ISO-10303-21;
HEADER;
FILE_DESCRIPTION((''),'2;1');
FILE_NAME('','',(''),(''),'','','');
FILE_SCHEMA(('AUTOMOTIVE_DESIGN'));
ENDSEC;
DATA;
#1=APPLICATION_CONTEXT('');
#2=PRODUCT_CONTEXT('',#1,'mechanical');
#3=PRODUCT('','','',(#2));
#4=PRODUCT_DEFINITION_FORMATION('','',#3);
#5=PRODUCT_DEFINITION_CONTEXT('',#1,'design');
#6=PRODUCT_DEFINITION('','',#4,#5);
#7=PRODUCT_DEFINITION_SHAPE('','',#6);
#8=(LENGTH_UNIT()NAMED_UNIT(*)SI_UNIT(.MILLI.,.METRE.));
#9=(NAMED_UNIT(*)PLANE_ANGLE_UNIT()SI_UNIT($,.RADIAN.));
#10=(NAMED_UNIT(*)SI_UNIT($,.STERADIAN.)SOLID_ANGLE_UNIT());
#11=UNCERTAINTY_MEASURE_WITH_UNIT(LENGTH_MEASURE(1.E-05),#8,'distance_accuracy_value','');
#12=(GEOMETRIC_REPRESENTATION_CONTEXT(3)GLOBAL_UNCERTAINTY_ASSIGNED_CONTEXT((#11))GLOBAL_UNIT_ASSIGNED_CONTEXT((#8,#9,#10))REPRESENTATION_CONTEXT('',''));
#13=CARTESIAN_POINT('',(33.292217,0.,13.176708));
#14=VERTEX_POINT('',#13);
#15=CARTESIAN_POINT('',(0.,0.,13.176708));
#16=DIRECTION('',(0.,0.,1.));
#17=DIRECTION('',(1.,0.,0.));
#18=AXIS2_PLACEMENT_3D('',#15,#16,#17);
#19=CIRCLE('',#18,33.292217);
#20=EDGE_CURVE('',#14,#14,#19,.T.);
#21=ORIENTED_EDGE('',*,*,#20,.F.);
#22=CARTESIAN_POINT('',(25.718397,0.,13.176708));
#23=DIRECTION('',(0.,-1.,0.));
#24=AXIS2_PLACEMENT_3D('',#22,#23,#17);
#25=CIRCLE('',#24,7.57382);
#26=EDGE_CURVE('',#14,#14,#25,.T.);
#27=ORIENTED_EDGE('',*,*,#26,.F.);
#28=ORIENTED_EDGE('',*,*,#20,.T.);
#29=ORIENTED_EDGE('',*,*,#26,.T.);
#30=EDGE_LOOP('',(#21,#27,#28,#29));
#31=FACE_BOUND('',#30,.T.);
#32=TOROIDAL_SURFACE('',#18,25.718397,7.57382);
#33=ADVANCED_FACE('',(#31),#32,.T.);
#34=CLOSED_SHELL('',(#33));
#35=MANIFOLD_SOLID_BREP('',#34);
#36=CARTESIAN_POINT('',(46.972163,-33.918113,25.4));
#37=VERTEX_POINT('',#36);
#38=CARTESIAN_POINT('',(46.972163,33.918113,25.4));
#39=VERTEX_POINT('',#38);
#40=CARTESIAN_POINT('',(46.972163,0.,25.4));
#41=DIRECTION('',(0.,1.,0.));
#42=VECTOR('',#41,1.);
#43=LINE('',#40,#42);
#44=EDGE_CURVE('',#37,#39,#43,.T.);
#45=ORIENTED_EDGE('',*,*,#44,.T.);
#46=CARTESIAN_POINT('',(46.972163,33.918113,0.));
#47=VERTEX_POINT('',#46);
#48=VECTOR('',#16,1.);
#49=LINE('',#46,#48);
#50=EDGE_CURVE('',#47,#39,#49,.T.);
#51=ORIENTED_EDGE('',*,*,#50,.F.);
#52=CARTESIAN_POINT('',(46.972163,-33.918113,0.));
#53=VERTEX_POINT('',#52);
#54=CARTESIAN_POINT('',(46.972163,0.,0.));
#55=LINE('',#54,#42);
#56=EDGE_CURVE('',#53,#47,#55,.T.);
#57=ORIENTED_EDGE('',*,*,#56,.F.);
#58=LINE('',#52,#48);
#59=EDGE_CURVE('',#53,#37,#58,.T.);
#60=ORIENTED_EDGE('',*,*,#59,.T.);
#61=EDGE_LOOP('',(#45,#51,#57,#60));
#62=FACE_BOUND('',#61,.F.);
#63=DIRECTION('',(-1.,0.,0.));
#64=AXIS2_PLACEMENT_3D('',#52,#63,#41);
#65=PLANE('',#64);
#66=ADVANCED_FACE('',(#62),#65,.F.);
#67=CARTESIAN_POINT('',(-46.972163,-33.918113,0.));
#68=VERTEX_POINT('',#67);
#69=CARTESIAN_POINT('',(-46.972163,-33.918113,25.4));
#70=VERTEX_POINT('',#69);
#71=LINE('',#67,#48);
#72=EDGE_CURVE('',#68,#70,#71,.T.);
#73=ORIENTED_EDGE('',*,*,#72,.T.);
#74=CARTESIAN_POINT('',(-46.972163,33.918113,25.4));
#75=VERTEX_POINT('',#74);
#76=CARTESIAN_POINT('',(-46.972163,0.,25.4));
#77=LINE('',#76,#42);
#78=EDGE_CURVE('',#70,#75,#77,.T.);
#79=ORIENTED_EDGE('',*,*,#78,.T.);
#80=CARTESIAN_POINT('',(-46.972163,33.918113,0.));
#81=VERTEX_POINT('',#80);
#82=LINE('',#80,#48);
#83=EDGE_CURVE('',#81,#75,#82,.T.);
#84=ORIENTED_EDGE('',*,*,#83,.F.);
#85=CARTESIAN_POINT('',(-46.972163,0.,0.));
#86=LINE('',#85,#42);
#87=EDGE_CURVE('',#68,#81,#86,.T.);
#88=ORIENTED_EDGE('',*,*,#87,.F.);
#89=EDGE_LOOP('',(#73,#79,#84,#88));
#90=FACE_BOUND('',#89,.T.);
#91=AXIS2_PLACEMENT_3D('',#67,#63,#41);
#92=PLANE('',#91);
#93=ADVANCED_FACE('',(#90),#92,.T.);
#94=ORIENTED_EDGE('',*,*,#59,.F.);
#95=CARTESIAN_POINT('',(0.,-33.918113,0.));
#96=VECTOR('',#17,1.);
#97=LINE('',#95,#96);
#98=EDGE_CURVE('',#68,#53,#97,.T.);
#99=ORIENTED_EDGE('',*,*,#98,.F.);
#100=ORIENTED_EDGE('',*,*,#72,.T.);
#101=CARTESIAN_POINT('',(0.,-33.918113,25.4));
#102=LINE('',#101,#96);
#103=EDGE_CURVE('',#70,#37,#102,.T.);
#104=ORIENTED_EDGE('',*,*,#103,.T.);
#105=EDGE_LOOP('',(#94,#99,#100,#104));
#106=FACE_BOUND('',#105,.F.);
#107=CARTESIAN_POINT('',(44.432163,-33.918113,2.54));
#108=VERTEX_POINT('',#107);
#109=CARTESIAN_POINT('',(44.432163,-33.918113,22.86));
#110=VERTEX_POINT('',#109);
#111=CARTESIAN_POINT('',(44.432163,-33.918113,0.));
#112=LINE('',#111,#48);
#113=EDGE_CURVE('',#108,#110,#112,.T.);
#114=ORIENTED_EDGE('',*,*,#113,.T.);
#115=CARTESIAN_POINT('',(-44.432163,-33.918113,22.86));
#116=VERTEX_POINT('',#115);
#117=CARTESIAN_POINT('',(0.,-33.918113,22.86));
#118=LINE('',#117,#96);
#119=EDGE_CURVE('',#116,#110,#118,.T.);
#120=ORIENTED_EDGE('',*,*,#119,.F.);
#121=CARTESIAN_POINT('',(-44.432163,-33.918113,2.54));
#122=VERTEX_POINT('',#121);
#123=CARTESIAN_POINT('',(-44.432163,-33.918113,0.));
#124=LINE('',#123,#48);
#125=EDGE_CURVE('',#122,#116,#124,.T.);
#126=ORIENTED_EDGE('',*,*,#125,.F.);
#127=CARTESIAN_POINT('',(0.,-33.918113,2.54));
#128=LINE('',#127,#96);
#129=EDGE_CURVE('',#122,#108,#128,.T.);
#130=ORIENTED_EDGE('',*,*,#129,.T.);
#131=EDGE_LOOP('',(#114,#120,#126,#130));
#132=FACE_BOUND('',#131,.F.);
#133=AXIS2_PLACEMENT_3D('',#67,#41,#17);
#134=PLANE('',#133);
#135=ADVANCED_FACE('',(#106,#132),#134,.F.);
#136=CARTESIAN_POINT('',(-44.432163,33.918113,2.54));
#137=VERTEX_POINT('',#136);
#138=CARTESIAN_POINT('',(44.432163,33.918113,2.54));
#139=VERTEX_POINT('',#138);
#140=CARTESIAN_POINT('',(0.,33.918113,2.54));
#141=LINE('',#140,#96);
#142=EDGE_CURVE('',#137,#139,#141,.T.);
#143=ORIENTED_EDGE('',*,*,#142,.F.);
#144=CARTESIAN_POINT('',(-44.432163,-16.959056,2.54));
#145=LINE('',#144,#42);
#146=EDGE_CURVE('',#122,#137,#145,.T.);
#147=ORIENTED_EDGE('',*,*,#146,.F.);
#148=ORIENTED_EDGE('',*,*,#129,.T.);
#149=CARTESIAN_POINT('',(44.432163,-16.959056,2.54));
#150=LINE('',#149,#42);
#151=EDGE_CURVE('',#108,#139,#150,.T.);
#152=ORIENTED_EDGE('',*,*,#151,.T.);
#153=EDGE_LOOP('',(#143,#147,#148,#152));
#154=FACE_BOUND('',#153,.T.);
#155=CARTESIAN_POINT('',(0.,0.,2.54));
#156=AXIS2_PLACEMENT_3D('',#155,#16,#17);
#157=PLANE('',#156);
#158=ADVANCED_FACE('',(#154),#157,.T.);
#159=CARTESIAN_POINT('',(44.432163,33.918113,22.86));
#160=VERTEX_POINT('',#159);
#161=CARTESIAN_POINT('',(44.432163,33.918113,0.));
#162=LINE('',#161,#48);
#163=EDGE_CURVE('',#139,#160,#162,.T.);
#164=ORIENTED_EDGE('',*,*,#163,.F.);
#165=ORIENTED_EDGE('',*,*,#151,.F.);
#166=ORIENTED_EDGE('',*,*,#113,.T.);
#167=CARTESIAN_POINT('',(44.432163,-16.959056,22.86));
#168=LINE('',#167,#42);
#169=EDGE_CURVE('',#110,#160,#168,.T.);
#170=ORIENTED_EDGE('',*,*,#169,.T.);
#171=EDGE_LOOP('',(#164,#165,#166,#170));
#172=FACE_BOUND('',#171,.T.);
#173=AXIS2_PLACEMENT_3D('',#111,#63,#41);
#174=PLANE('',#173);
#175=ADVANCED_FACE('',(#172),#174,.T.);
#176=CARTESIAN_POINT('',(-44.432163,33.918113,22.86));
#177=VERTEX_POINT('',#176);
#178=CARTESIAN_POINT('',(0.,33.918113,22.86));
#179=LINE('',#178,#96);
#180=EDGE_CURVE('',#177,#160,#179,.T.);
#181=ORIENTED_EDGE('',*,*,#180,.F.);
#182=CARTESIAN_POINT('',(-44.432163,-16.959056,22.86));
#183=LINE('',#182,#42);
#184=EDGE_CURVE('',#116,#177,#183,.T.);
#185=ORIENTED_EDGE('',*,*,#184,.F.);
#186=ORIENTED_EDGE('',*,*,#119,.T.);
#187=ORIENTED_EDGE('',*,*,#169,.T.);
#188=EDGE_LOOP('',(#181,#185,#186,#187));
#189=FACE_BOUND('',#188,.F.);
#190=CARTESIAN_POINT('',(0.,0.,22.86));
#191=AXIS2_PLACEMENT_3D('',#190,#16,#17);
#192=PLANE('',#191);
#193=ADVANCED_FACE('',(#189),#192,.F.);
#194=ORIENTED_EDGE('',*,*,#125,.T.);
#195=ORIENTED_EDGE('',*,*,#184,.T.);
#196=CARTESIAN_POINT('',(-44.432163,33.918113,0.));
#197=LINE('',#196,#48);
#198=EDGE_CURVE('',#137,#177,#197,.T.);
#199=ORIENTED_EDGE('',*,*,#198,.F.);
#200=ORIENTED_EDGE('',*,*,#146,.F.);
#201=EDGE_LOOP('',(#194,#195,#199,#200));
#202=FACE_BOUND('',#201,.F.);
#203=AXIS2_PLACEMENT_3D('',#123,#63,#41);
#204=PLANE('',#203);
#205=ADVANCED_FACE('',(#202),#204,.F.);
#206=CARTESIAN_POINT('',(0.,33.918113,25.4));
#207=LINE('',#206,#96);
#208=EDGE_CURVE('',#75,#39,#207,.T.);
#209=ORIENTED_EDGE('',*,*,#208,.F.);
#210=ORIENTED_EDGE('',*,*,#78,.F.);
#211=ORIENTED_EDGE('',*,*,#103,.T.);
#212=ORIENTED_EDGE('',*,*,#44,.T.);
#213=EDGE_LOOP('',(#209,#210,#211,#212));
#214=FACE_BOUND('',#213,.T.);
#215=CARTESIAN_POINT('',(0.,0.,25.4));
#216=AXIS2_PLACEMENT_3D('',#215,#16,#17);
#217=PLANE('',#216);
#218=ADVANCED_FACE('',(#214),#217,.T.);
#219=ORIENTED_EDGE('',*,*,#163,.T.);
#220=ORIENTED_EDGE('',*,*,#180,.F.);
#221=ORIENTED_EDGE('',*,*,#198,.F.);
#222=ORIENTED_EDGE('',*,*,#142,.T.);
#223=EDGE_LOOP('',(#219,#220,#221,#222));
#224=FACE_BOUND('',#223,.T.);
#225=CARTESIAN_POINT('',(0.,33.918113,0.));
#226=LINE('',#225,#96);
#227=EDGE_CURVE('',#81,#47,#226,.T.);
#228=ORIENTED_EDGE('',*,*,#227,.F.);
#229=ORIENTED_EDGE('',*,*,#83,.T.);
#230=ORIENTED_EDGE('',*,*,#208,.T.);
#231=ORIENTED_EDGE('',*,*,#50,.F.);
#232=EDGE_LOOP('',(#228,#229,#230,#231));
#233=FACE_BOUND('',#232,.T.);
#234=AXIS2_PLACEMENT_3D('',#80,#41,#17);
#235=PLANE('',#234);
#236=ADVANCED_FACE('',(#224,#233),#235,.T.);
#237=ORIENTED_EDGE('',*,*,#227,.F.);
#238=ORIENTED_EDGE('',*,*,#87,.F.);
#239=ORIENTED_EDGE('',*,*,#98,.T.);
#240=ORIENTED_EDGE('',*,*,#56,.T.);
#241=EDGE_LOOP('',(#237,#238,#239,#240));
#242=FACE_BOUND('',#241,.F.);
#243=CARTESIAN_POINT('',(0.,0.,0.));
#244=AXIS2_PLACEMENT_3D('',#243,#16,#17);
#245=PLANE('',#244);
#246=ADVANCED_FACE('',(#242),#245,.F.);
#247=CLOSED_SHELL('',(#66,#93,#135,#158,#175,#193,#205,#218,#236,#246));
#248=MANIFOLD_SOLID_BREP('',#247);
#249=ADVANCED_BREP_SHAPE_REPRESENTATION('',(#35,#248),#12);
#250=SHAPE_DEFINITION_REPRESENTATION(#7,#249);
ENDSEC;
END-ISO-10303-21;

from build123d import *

# Parameters (mm, degrees)
F0_W     = 93.944326
F0_H     = 67.836226
F1_DEPTH = 25.4
F2_T     = -2.54
F3_R     = 7.57382


with BuildPart() as f1:
    # F0 (on Top) → F1 (new body)
    with BuildSketch(Plane.XY):
        Rectangle(F0_W, F0_H)
    extrude(amount=F1_DEPTH)

    # F2
    f2_openings = [f1.faces().sort_by_distance(p)[0] for p in [
        (0, -33.918113, 12.7),
        (0, 33.918113, 12.7),
    ]]
    offset(amount=F2_T, openings=f2_openings)


with BuildPart() as f4:
    # F3 (on Front) → F4 (revolve)
    with BuildSketch(Plane.XZ):
        with Locations((25.718397, 13.176708)):
            Circle(F3_R)
    revolve(axis=Axis((0, 0, 12.303553), (0, 0, 1)))


solid = Compound([f1.part, f4.part])
